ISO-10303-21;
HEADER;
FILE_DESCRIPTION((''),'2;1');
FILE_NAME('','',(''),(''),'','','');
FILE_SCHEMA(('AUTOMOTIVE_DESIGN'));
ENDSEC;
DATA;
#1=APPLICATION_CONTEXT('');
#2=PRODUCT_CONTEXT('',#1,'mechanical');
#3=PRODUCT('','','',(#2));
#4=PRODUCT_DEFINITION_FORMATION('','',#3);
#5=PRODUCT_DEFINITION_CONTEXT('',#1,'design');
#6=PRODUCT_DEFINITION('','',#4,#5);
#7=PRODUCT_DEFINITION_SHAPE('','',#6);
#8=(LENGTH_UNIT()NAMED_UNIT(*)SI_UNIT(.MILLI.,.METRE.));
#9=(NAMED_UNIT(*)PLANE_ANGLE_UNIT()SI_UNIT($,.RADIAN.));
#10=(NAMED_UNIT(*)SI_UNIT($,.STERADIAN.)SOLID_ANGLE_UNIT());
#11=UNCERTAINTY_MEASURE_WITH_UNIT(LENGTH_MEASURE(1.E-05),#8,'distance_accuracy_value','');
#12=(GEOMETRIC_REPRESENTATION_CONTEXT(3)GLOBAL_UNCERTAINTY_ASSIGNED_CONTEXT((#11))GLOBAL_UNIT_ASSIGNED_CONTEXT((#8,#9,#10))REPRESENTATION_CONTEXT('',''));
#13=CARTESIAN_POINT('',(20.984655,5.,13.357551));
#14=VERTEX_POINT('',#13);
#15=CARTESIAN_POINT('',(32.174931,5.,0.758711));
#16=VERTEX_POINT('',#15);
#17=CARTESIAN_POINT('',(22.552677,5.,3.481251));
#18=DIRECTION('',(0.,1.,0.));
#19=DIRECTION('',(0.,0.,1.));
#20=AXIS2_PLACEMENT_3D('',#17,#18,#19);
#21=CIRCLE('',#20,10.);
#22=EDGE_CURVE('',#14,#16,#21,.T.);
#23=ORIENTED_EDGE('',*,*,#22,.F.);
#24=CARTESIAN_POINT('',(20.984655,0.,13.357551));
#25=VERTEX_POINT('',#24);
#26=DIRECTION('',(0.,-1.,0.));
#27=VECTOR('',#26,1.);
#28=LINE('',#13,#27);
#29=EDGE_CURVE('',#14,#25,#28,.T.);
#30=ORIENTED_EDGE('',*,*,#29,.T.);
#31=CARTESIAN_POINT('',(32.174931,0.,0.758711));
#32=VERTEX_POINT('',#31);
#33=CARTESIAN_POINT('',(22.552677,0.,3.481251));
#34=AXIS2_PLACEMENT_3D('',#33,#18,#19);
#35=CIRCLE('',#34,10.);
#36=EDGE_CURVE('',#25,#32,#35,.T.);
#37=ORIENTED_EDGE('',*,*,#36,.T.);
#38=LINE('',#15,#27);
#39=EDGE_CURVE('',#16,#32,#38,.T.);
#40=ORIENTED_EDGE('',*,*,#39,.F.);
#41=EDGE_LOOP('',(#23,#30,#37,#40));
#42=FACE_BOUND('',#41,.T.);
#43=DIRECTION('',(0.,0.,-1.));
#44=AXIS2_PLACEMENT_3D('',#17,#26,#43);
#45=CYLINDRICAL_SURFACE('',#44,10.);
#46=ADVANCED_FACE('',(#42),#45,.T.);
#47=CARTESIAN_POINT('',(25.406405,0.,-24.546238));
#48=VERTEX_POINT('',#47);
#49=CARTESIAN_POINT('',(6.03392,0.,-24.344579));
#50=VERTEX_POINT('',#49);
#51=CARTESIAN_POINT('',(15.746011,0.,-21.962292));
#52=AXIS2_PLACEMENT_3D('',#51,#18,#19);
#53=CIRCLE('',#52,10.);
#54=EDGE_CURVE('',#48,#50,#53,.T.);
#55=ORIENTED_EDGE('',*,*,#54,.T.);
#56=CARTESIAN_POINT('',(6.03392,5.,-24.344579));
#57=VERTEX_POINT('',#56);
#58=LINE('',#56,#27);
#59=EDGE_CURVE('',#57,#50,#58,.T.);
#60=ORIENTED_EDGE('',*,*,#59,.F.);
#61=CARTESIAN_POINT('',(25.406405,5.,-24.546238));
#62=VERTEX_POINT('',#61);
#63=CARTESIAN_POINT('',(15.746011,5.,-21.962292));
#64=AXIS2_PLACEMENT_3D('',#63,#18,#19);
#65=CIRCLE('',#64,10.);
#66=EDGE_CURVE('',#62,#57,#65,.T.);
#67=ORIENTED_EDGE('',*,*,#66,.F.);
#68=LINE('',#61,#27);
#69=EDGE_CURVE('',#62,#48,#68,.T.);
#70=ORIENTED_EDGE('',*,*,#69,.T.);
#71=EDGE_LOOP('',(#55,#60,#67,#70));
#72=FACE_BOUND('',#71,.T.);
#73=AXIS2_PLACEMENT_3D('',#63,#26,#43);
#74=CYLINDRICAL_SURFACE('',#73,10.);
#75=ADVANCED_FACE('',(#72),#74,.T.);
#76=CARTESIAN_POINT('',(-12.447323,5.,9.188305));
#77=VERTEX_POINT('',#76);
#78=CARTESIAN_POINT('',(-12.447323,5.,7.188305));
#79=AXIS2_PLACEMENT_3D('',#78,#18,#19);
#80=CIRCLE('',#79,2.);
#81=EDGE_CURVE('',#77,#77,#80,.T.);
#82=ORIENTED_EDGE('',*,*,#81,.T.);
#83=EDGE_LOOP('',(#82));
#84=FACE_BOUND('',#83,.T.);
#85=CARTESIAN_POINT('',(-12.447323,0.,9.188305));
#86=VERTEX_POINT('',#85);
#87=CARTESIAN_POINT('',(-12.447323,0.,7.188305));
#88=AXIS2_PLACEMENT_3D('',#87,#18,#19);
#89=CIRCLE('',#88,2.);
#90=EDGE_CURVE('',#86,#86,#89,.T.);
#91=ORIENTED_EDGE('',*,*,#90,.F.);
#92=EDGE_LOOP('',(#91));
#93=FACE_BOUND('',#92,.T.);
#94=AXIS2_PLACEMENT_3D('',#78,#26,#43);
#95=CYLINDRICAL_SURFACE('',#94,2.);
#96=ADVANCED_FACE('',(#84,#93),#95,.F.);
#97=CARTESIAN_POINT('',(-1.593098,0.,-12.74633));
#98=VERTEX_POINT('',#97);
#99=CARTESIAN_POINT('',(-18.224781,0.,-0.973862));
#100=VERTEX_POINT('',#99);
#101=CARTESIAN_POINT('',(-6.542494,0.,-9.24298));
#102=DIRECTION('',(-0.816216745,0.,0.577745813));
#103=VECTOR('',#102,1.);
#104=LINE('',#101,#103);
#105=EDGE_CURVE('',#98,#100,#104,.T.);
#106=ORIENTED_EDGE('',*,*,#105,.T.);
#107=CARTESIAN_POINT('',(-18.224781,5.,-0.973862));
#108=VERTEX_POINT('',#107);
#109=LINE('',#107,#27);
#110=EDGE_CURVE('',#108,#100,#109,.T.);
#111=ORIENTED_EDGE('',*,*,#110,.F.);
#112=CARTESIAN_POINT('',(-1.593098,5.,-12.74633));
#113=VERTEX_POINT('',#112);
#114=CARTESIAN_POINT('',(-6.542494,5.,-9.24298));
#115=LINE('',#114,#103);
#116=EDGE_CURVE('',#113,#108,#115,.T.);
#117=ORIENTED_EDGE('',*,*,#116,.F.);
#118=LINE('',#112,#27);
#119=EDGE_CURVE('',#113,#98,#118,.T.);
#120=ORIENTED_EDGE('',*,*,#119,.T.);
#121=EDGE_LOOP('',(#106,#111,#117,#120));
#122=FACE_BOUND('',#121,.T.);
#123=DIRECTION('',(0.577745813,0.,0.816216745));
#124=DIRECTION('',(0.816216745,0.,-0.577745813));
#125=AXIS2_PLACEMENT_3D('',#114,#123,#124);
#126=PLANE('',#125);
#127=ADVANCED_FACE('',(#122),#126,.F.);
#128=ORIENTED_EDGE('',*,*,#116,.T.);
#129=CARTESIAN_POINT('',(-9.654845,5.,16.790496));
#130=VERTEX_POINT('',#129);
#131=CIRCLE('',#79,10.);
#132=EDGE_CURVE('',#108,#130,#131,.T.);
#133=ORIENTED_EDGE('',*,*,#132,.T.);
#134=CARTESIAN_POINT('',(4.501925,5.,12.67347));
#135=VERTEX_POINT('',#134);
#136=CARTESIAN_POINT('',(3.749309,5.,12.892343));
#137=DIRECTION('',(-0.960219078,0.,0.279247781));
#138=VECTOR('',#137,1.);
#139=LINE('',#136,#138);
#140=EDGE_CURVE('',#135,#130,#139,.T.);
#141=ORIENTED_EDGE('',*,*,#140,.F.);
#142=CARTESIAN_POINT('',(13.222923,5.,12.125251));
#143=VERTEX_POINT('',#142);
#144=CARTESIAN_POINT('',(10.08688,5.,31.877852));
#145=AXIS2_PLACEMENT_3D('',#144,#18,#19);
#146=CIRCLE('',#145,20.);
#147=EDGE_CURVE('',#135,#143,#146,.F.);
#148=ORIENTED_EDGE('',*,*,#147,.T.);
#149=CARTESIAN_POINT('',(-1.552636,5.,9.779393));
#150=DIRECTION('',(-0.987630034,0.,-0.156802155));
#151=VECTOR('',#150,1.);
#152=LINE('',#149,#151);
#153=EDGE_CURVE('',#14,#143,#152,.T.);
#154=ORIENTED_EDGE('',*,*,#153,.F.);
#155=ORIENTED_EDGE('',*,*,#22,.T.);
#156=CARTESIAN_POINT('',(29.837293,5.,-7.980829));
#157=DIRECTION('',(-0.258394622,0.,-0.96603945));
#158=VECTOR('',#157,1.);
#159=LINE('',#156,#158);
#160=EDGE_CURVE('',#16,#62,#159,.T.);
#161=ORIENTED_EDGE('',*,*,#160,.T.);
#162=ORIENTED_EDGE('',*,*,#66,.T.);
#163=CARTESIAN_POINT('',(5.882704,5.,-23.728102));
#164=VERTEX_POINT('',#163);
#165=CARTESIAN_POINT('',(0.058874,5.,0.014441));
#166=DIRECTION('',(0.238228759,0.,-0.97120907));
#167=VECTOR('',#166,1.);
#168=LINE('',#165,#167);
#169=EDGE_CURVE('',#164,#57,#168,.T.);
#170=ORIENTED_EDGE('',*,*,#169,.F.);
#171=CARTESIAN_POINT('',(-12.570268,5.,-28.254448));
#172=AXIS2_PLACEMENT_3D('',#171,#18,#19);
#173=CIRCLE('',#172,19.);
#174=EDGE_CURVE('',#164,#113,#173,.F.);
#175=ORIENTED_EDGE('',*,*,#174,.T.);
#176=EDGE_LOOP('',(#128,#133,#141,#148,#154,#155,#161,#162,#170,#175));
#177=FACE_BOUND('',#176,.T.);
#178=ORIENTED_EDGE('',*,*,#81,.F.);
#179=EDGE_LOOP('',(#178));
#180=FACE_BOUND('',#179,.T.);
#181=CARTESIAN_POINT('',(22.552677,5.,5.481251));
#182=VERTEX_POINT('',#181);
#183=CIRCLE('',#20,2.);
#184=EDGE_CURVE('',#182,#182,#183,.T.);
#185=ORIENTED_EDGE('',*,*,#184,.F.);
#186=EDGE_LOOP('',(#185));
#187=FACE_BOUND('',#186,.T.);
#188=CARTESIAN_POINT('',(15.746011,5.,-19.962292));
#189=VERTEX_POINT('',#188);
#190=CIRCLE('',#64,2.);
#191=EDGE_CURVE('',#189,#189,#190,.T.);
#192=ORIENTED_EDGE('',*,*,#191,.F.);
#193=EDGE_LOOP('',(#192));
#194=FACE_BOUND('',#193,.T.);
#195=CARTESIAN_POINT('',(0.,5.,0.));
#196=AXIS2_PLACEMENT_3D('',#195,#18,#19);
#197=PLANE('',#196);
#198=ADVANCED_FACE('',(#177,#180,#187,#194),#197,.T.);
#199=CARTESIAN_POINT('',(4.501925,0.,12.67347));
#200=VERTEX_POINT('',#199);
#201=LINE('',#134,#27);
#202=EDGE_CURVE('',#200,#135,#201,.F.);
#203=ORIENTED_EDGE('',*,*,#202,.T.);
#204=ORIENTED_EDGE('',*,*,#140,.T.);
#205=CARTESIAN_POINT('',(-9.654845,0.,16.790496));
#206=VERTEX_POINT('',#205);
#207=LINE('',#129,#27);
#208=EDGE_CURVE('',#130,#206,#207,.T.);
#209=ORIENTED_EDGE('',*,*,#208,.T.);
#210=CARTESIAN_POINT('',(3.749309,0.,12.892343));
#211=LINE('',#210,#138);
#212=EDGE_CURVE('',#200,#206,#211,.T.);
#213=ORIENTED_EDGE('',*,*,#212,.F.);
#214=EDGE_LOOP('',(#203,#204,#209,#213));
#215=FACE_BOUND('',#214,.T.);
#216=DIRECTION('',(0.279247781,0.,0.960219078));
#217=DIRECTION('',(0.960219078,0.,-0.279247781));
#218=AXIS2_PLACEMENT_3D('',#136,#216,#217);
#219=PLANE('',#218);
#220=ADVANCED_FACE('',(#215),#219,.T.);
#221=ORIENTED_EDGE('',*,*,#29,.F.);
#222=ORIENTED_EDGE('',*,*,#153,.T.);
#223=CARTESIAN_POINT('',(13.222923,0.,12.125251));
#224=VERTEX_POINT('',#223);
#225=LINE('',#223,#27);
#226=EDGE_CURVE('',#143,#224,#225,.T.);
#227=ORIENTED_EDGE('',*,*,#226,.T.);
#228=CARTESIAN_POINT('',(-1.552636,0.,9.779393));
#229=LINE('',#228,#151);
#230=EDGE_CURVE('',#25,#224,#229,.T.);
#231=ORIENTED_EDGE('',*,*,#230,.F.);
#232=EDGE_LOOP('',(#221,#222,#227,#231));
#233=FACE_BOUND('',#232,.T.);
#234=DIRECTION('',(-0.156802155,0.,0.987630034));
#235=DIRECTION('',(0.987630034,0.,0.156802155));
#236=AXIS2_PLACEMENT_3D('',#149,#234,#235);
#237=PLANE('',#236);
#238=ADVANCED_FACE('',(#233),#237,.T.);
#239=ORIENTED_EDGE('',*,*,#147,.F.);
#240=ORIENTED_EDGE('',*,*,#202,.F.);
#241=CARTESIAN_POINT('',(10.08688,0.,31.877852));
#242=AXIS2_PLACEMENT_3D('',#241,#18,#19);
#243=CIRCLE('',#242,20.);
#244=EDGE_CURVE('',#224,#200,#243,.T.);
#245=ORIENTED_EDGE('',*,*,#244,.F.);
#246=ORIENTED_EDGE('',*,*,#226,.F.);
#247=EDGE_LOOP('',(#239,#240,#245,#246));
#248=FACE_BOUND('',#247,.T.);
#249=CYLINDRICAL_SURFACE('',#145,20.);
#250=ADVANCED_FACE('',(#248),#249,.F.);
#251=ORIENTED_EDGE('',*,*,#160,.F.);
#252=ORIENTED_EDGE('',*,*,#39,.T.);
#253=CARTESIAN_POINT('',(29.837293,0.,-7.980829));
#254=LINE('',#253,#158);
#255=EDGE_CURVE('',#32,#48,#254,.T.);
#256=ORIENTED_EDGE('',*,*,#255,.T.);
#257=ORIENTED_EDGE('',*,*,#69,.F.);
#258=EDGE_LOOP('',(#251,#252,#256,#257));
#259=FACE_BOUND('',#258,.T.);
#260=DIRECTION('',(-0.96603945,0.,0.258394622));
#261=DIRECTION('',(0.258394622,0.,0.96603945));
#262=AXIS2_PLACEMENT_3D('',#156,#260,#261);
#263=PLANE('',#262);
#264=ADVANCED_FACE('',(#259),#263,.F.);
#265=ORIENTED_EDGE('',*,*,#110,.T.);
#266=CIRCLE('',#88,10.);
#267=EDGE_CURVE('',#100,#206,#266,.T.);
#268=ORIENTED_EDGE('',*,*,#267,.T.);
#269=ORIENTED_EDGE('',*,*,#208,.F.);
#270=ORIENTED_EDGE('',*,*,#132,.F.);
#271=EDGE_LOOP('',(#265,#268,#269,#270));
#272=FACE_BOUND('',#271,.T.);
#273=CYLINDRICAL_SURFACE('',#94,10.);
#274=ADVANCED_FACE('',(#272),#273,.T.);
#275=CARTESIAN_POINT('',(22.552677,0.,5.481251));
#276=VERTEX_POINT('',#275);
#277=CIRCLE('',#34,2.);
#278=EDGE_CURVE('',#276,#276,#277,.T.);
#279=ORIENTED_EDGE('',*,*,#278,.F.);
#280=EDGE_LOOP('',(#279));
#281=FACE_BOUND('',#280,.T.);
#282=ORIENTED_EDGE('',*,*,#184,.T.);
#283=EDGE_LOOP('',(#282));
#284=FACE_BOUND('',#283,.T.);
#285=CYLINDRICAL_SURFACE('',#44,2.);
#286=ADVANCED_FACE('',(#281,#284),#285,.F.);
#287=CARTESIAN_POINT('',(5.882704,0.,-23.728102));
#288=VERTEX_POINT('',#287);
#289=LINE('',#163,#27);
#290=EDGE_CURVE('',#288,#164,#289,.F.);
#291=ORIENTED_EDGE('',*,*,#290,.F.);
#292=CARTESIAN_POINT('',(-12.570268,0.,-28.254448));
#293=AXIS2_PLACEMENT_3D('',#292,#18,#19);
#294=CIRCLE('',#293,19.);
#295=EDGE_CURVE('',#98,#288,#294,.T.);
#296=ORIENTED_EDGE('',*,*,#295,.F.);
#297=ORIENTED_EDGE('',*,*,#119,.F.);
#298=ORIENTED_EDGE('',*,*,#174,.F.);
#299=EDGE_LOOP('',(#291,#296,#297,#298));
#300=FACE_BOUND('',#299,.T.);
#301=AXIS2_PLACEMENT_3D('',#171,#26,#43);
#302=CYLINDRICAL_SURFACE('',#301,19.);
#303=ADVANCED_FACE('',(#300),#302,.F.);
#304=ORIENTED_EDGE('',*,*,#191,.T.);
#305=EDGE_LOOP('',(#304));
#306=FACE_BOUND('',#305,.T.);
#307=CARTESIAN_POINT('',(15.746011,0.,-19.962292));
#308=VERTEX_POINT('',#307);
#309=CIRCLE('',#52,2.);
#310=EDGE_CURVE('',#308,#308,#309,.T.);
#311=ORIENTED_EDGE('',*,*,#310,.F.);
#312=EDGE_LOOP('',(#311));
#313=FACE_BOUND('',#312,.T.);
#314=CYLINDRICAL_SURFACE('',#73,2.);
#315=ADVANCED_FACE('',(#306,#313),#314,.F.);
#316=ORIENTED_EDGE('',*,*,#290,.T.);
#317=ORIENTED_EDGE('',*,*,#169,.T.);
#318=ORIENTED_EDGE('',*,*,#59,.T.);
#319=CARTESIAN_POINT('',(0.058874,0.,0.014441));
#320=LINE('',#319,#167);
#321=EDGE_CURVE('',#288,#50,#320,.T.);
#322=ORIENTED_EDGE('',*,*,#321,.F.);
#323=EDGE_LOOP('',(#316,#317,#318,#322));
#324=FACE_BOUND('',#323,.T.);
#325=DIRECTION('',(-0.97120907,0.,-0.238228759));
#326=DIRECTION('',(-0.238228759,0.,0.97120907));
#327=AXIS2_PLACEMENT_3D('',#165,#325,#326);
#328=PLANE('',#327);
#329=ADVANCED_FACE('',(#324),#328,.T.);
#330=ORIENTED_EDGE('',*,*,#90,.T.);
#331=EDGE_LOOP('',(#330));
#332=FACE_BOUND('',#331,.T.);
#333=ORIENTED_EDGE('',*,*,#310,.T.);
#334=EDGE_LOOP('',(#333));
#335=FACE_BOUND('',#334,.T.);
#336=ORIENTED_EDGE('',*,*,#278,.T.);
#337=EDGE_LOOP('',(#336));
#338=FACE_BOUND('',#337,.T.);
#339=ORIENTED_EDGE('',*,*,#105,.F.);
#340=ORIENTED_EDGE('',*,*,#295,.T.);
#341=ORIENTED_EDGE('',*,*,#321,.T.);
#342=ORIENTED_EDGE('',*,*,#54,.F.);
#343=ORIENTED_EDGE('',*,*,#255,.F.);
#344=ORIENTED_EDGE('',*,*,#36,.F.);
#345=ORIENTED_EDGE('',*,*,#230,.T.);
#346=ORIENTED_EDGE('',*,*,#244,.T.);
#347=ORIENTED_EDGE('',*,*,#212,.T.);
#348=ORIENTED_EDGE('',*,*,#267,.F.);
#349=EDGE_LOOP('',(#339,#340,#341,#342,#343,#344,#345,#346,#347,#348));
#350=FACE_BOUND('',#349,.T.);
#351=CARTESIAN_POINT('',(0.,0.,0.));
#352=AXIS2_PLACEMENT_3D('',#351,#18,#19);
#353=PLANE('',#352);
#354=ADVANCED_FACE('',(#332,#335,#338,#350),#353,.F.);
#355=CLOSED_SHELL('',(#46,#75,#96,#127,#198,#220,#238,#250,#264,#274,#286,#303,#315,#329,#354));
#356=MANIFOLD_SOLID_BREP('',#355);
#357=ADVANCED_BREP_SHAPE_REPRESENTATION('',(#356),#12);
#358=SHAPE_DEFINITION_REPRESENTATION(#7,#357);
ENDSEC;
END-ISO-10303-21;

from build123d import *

# Parameters (mm, degrees)
SKIZZE1_R                       = 2
AUFSATZ_LINEAR_AUSTRAGEN1_DEPTH = 5
VERRUNDUNG1_R                   = 19
VERRUNDUNG2_R                   = 20


with BuildPart() as part:
    # Skizze1 → Aufsatz-Linear austragen1 (new body)
    with BuildSketch(Plane(origin=(0, 0, 0), x_dir=(1, 0, 0), z_dir=(0, 1, 0))):
        with BuildLine():
            Line((32.174930969, -0.758710751), (25.406405474, 24.546237926))
            ThreePointArc((25.406405474, 24.546237926), (15.641921228, 31.961749958), (6.033920269, 24.344579298))
            Line((6.033920269, 24.344579298), (4.193711044, 16.842429276))
            Line((4.193711044, 16.842429276), (-18.224781404, 0.973862232))
            ThreePointArc((-18.224781404, 0.973862232), (-21.454022597, -11.53334461), (-9.654845468, -16.790495999))
            Line((-9.654845468, -16.790495999), (8.801061186, -11.423209418))
            Line((8.801061186, -11.423209418), (20.984655174, -13.357550953))
            ThreePointArc((20.984655174, -13.357550953), (30.029331036, -10.12200662), (32.174930969, -0.758710751))
        make_face()
        with Locations(Location((22.552676727, -3.481250613, 0), (0, 0, 270))):
            Circle(SKIZZE1_R, mode=Mode.SUBTRACT)
        with Locations(Location((-12.447323273, -7.188305222, 0), (0, 0, 270))):
            Circle(SKIZZE1_R, mode=Mode.SUBTRACT)
        with Locations(Location((15.746010972, 21.962291706, 0), (0, 0, 270))):
            Circle(SKIZZE1_R, mode=Mode.SUBTRACT)
    extrude(amount=AUFSATZ_LINEAR_AUSTRAGEN1_DEPTH)

    # Verrundung1
    verrundung1_edges = [part.edges().sort_by_distance(p)[0] for p in [
        (4.193711044, 2.5, -16.842429276),
    ]]
    fillet(verrundung1_edges, radius=VERRUNDUNG1_R)

    # Verrundung2
    verrundung2_edges = [part.edges().sort_by_distance(p)[0] for p in [
        (8.801061186, 2.5, 11.423209418),
    ]]
    fillet(verrundung2_edges, radius=VERRUNDUNG2_R)


solid = part.part
